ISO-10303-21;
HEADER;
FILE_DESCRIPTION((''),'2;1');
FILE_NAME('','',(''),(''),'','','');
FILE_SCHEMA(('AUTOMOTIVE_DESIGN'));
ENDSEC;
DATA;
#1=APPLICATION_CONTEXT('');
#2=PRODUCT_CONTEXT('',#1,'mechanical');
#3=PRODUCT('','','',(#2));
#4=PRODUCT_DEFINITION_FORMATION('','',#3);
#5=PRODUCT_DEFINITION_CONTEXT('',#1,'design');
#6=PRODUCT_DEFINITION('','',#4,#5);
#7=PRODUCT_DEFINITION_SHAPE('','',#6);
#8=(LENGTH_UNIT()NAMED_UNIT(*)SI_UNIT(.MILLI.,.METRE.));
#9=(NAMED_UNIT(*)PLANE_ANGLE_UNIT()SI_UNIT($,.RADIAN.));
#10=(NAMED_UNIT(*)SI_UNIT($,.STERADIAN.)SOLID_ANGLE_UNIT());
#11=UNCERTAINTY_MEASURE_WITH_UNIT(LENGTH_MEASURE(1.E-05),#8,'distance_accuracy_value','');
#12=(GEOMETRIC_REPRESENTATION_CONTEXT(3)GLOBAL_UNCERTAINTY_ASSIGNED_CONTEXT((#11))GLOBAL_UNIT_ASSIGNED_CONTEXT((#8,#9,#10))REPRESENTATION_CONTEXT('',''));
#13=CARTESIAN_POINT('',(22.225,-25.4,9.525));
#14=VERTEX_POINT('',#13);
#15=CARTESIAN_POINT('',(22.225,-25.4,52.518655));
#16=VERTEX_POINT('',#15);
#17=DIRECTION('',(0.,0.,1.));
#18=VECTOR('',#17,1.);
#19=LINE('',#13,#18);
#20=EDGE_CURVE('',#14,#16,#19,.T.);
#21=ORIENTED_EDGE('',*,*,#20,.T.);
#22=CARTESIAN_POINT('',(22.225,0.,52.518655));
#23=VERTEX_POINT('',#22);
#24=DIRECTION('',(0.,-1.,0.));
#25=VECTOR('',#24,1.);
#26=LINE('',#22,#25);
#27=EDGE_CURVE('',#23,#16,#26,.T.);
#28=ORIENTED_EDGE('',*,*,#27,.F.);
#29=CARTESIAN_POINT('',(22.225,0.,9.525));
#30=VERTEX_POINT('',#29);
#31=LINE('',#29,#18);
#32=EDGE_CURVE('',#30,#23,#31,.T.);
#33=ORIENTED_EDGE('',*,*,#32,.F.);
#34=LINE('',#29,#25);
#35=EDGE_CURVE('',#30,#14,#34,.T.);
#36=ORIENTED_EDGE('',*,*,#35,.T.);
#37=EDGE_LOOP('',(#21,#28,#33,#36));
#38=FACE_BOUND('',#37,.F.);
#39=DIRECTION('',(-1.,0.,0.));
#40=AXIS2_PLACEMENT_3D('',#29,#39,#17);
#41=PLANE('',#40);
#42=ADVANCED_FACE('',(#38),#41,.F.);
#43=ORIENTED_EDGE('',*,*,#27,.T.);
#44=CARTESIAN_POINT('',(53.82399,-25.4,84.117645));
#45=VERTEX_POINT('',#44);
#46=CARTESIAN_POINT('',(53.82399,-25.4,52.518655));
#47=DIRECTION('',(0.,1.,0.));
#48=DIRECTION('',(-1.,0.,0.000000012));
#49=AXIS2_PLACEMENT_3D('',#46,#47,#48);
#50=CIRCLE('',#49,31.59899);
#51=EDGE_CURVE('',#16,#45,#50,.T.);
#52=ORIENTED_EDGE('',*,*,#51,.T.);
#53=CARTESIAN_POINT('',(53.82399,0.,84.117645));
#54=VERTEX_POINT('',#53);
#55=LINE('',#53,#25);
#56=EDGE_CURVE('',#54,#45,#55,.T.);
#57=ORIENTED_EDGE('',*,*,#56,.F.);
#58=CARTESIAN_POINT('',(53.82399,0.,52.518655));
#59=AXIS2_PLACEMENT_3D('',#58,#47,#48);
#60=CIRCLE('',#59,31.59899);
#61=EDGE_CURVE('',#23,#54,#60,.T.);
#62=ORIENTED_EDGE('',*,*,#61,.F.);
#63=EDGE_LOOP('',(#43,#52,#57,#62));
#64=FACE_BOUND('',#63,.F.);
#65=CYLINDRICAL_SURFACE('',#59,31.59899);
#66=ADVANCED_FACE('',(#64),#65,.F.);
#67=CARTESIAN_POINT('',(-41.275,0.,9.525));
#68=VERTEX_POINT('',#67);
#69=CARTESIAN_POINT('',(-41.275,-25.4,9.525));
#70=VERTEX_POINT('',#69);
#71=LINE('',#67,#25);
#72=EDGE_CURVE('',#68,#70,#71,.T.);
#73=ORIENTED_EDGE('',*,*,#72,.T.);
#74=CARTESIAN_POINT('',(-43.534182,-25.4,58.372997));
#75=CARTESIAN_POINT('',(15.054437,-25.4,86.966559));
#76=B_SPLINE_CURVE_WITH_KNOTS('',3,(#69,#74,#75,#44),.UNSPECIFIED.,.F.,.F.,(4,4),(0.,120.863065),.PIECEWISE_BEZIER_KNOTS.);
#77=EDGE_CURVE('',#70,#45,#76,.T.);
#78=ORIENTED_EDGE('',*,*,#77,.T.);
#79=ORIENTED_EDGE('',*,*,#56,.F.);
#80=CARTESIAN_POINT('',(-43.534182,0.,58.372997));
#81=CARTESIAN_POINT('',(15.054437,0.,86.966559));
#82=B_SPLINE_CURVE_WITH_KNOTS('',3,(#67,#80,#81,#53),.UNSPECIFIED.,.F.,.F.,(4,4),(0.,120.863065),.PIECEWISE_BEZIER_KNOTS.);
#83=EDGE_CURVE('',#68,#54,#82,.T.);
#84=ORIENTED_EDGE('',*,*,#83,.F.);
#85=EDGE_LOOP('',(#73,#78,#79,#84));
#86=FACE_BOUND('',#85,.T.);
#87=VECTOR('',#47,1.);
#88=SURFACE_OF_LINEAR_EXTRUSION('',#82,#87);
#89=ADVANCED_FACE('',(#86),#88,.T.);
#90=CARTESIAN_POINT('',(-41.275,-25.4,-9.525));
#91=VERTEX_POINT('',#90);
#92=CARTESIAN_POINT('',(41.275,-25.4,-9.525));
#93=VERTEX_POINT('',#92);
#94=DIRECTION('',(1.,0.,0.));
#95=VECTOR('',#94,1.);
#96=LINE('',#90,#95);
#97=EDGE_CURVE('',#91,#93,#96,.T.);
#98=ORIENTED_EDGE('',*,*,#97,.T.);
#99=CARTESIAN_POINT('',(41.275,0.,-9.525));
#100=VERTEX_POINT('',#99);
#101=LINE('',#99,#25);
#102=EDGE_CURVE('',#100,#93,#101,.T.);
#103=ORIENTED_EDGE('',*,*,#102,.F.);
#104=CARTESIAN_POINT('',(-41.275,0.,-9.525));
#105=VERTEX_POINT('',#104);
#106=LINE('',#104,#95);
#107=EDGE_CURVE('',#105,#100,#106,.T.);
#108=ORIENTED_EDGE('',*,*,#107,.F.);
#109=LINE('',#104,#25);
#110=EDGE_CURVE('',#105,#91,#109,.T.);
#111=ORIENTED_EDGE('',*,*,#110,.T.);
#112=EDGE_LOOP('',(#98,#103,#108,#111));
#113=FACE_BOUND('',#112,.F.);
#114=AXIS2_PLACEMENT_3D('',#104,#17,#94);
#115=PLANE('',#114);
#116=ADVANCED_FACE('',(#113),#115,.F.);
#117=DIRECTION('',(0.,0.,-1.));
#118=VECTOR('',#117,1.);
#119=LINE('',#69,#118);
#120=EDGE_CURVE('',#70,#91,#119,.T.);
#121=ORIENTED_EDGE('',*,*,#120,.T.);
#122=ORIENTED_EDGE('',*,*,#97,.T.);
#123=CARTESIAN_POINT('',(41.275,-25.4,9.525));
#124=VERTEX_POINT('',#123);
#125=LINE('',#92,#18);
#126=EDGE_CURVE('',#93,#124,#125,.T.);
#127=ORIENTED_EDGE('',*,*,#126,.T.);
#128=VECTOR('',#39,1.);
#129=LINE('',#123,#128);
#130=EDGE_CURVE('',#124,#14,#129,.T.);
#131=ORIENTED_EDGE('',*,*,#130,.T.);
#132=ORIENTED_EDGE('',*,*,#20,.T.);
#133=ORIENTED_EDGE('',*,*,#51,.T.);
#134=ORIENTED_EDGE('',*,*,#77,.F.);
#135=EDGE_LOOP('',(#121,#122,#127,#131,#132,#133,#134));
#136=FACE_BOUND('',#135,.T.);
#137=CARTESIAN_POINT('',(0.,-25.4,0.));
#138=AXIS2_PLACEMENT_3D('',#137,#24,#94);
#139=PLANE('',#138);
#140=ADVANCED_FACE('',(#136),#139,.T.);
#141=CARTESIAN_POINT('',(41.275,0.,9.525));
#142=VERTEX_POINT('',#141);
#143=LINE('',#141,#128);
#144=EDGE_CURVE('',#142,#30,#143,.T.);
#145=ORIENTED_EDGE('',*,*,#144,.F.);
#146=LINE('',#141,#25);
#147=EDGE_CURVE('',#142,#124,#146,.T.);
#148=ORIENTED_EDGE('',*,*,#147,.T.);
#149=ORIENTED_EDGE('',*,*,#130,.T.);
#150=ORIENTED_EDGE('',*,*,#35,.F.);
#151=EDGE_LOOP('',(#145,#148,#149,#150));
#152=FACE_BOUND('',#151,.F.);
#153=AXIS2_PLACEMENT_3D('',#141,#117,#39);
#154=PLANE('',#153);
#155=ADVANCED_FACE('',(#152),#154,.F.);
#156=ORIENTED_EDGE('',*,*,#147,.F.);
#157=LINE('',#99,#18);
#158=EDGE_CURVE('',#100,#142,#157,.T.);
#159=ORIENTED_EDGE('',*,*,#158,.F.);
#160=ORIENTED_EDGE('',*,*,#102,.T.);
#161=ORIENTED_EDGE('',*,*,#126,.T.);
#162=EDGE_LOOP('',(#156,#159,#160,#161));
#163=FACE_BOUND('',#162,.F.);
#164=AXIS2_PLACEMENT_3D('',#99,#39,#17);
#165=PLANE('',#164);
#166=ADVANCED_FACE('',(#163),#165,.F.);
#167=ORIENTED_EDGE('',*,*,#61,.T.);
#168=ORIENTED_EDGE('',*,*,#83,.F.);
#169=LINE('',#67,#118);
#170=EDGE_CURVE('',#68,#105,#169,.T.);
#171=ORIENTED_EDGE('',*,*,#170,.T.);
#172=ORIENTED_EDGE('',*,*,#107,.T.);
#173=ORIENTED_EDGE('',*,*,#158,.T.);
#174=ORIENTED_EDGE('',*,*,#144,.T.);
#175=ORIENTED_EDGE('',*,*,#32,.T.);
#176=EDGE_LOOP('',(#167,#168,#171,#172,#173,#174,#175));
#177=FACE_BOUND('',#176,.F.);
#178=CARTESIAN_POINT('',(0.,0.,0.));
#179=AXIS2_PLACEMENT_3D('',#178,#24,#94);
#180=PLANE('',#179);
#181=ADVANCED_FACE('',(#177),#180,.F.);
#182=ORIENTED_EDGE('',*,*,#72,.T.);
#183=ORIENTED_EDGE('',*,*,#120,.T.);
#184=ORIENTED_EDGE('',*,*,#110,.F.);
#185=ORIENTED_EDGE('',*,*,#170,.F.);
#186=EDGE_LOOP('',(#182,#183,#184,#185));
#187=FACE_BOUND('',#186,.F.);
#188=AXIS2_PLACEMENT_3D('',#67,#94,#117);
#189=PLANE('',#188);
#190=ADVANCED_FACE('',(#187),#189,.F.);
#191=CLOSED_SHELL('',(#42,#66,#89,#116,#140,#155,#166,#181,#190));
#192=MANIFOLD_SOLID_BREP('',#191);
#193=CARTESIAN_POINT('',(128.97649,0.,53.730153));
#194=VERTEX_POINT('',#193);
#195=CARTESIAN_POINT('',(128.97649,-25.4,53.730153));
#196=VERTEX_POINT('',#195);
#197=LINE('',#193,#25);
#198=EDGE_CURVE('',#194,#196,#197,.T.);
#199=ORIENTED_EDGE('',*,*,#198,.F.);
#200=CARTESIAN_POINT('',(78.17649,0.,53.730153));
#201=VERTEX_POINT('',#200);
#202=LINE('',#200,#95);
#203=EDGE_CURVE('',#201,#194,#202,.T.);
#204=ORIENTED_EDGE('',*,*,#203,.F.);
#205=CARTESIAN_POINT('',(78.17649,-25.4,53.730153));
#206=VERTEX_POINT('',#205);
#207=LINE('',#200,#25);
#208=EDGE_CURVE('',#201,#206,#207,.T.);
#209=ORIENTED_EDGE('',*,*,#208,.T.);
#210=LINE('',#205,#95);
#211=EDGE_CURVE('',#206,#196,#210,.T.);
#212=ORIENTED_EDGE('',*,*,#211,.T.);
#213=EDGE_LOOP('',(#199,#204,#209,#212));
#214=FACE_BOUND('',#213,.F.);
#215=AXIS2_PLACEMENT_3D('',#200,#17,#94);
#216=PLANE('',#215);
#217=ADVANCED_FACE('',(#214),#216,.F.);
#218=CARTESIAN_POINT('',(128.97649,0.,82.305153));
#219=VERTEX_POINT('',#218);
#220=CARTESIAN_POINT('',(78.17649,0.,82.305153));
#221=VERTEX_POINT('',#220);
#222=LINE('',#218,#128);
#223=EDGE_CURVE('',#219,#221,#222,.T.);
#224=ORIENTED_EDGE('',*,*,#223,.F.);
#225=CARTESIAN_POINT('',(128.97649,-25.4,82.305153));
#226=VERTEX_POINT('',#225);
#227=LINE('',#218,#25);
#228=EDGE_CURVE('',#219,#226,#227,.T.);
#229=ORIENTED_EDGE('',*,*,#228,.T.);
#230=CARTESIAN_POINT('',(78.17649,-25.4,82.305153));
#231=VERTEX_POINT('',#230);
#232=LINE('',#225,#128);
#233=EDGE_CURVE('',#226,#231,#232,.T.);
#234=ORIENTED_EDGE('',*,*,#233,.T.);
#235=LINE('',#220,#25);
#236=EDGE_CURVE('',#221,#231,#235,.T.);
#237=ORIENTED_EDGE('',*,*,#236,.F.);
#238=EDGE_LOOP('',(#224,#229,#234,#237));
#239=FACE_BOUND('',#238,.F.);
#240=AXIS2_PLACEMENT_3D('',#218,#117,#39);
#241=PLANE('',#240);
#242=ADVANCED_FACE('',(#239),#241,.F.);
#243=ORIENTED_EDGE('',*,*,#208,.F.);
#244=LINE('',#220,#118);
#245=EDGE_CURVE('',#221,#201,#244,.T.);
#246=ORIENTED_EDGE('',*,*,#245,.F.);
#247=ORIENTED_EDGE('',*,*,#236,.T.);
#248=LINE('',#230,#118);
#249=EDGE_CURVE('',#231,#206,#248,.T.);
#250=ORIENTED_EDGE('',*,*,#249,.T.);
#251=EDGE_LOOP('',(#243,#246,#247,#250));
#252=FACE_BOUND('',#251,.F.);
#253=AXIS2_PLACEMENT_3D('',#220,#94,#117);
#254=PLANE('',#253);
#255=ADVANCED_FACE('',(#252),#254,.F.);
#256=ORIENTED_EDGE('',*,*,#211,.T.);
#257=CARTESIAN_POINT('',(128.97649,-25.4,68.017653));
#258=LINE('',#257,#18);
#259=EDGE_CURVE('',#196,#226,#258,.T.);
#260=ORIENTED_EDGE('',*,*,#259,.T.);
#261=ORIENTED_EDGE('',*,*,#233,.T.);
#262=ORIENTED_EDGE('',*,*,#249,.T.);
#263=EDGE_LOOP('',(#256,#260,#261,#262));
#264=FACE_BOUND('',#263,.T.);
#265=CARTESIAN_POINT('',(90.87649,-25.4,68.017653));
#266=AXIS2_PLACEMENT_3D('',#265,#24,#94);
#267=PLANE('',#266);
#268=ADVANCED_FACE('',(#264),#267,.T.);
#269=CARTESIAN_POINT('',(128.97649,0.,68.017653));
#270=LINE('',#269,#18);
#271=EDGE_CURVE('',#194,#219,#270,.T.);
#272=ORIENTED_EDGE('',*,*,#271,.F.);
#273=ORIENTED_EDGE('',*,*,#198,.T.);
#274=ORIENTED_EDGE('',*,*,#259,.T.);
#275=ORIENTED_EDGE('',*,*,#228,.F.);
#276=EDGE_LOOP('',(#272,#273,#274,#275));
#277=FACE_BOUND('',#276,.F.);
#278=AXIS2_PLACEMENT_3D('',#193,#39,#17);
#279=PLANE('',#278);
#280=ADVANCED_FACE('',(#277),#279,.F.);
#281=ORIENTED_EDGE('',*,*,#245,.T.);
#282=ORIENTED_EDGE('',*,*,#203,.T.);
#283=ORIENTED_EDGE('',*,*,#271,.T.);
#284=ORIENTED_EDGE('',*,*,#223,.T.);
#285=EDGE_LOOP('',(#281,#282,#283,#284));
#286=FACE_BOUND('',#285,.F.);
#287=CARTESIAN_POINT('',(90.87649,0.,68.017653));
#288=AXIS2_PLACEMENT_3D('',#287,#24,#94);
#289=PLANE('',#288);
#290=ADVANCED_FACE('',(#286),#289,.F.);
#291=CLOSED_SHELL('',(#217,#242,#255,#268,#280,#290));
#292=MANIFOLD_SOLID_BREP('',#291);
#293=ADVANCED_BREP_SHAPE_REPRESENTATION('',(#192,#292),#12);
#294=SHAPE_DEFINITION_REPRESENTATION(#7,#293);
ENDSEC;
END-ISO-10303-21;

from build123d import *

# Parameters (mm, degrees)
F0_W     = 25.4
F0_H     = 28.575
F1_DEPTH = 25.4


with BuildPart() as f1:
    # F0 (on Front) → F1 (new body)
    with BuildSketch(Plane.XZ):
        Polygon((-41.275, 9.525), (-41.275, -9.525), (41.275, -9.525), (41.275, 9.525), (22.225, 9.525), align=None)
        Polygon((78.17649, 82.305153), (78.17649, 65.067645), (78.17649, 53.730153), (103.57649, 53.730153), (103.57649, 82.305153), align=None)
        with BuildLine():
            add(Edge.make_bspline(
                [(-41.275, 9.525), (-43.534182, 58.372997), (15.054437, 86.966559), (53.82399, 84.117645)],
                knots=[0, 0, 0, 0, 120.863065, 120.863065, 120.863065, 120.863065], degree=3))
            Line((-41.275, 9.525), (22.225, 9.525))
            Line((22.225, 9.525), (22.225, 52.518655))
            ThreePointArc((22.225, 52.518655), (31.48013, 74.862515), (53.82399, 84.117645))
        make_face()
        with Locations((116.27649, 68.017653)):
            Rectangle(F0_W, F0_H)
    extrude(amount=F1_DEPTH)


solid = f1.part
